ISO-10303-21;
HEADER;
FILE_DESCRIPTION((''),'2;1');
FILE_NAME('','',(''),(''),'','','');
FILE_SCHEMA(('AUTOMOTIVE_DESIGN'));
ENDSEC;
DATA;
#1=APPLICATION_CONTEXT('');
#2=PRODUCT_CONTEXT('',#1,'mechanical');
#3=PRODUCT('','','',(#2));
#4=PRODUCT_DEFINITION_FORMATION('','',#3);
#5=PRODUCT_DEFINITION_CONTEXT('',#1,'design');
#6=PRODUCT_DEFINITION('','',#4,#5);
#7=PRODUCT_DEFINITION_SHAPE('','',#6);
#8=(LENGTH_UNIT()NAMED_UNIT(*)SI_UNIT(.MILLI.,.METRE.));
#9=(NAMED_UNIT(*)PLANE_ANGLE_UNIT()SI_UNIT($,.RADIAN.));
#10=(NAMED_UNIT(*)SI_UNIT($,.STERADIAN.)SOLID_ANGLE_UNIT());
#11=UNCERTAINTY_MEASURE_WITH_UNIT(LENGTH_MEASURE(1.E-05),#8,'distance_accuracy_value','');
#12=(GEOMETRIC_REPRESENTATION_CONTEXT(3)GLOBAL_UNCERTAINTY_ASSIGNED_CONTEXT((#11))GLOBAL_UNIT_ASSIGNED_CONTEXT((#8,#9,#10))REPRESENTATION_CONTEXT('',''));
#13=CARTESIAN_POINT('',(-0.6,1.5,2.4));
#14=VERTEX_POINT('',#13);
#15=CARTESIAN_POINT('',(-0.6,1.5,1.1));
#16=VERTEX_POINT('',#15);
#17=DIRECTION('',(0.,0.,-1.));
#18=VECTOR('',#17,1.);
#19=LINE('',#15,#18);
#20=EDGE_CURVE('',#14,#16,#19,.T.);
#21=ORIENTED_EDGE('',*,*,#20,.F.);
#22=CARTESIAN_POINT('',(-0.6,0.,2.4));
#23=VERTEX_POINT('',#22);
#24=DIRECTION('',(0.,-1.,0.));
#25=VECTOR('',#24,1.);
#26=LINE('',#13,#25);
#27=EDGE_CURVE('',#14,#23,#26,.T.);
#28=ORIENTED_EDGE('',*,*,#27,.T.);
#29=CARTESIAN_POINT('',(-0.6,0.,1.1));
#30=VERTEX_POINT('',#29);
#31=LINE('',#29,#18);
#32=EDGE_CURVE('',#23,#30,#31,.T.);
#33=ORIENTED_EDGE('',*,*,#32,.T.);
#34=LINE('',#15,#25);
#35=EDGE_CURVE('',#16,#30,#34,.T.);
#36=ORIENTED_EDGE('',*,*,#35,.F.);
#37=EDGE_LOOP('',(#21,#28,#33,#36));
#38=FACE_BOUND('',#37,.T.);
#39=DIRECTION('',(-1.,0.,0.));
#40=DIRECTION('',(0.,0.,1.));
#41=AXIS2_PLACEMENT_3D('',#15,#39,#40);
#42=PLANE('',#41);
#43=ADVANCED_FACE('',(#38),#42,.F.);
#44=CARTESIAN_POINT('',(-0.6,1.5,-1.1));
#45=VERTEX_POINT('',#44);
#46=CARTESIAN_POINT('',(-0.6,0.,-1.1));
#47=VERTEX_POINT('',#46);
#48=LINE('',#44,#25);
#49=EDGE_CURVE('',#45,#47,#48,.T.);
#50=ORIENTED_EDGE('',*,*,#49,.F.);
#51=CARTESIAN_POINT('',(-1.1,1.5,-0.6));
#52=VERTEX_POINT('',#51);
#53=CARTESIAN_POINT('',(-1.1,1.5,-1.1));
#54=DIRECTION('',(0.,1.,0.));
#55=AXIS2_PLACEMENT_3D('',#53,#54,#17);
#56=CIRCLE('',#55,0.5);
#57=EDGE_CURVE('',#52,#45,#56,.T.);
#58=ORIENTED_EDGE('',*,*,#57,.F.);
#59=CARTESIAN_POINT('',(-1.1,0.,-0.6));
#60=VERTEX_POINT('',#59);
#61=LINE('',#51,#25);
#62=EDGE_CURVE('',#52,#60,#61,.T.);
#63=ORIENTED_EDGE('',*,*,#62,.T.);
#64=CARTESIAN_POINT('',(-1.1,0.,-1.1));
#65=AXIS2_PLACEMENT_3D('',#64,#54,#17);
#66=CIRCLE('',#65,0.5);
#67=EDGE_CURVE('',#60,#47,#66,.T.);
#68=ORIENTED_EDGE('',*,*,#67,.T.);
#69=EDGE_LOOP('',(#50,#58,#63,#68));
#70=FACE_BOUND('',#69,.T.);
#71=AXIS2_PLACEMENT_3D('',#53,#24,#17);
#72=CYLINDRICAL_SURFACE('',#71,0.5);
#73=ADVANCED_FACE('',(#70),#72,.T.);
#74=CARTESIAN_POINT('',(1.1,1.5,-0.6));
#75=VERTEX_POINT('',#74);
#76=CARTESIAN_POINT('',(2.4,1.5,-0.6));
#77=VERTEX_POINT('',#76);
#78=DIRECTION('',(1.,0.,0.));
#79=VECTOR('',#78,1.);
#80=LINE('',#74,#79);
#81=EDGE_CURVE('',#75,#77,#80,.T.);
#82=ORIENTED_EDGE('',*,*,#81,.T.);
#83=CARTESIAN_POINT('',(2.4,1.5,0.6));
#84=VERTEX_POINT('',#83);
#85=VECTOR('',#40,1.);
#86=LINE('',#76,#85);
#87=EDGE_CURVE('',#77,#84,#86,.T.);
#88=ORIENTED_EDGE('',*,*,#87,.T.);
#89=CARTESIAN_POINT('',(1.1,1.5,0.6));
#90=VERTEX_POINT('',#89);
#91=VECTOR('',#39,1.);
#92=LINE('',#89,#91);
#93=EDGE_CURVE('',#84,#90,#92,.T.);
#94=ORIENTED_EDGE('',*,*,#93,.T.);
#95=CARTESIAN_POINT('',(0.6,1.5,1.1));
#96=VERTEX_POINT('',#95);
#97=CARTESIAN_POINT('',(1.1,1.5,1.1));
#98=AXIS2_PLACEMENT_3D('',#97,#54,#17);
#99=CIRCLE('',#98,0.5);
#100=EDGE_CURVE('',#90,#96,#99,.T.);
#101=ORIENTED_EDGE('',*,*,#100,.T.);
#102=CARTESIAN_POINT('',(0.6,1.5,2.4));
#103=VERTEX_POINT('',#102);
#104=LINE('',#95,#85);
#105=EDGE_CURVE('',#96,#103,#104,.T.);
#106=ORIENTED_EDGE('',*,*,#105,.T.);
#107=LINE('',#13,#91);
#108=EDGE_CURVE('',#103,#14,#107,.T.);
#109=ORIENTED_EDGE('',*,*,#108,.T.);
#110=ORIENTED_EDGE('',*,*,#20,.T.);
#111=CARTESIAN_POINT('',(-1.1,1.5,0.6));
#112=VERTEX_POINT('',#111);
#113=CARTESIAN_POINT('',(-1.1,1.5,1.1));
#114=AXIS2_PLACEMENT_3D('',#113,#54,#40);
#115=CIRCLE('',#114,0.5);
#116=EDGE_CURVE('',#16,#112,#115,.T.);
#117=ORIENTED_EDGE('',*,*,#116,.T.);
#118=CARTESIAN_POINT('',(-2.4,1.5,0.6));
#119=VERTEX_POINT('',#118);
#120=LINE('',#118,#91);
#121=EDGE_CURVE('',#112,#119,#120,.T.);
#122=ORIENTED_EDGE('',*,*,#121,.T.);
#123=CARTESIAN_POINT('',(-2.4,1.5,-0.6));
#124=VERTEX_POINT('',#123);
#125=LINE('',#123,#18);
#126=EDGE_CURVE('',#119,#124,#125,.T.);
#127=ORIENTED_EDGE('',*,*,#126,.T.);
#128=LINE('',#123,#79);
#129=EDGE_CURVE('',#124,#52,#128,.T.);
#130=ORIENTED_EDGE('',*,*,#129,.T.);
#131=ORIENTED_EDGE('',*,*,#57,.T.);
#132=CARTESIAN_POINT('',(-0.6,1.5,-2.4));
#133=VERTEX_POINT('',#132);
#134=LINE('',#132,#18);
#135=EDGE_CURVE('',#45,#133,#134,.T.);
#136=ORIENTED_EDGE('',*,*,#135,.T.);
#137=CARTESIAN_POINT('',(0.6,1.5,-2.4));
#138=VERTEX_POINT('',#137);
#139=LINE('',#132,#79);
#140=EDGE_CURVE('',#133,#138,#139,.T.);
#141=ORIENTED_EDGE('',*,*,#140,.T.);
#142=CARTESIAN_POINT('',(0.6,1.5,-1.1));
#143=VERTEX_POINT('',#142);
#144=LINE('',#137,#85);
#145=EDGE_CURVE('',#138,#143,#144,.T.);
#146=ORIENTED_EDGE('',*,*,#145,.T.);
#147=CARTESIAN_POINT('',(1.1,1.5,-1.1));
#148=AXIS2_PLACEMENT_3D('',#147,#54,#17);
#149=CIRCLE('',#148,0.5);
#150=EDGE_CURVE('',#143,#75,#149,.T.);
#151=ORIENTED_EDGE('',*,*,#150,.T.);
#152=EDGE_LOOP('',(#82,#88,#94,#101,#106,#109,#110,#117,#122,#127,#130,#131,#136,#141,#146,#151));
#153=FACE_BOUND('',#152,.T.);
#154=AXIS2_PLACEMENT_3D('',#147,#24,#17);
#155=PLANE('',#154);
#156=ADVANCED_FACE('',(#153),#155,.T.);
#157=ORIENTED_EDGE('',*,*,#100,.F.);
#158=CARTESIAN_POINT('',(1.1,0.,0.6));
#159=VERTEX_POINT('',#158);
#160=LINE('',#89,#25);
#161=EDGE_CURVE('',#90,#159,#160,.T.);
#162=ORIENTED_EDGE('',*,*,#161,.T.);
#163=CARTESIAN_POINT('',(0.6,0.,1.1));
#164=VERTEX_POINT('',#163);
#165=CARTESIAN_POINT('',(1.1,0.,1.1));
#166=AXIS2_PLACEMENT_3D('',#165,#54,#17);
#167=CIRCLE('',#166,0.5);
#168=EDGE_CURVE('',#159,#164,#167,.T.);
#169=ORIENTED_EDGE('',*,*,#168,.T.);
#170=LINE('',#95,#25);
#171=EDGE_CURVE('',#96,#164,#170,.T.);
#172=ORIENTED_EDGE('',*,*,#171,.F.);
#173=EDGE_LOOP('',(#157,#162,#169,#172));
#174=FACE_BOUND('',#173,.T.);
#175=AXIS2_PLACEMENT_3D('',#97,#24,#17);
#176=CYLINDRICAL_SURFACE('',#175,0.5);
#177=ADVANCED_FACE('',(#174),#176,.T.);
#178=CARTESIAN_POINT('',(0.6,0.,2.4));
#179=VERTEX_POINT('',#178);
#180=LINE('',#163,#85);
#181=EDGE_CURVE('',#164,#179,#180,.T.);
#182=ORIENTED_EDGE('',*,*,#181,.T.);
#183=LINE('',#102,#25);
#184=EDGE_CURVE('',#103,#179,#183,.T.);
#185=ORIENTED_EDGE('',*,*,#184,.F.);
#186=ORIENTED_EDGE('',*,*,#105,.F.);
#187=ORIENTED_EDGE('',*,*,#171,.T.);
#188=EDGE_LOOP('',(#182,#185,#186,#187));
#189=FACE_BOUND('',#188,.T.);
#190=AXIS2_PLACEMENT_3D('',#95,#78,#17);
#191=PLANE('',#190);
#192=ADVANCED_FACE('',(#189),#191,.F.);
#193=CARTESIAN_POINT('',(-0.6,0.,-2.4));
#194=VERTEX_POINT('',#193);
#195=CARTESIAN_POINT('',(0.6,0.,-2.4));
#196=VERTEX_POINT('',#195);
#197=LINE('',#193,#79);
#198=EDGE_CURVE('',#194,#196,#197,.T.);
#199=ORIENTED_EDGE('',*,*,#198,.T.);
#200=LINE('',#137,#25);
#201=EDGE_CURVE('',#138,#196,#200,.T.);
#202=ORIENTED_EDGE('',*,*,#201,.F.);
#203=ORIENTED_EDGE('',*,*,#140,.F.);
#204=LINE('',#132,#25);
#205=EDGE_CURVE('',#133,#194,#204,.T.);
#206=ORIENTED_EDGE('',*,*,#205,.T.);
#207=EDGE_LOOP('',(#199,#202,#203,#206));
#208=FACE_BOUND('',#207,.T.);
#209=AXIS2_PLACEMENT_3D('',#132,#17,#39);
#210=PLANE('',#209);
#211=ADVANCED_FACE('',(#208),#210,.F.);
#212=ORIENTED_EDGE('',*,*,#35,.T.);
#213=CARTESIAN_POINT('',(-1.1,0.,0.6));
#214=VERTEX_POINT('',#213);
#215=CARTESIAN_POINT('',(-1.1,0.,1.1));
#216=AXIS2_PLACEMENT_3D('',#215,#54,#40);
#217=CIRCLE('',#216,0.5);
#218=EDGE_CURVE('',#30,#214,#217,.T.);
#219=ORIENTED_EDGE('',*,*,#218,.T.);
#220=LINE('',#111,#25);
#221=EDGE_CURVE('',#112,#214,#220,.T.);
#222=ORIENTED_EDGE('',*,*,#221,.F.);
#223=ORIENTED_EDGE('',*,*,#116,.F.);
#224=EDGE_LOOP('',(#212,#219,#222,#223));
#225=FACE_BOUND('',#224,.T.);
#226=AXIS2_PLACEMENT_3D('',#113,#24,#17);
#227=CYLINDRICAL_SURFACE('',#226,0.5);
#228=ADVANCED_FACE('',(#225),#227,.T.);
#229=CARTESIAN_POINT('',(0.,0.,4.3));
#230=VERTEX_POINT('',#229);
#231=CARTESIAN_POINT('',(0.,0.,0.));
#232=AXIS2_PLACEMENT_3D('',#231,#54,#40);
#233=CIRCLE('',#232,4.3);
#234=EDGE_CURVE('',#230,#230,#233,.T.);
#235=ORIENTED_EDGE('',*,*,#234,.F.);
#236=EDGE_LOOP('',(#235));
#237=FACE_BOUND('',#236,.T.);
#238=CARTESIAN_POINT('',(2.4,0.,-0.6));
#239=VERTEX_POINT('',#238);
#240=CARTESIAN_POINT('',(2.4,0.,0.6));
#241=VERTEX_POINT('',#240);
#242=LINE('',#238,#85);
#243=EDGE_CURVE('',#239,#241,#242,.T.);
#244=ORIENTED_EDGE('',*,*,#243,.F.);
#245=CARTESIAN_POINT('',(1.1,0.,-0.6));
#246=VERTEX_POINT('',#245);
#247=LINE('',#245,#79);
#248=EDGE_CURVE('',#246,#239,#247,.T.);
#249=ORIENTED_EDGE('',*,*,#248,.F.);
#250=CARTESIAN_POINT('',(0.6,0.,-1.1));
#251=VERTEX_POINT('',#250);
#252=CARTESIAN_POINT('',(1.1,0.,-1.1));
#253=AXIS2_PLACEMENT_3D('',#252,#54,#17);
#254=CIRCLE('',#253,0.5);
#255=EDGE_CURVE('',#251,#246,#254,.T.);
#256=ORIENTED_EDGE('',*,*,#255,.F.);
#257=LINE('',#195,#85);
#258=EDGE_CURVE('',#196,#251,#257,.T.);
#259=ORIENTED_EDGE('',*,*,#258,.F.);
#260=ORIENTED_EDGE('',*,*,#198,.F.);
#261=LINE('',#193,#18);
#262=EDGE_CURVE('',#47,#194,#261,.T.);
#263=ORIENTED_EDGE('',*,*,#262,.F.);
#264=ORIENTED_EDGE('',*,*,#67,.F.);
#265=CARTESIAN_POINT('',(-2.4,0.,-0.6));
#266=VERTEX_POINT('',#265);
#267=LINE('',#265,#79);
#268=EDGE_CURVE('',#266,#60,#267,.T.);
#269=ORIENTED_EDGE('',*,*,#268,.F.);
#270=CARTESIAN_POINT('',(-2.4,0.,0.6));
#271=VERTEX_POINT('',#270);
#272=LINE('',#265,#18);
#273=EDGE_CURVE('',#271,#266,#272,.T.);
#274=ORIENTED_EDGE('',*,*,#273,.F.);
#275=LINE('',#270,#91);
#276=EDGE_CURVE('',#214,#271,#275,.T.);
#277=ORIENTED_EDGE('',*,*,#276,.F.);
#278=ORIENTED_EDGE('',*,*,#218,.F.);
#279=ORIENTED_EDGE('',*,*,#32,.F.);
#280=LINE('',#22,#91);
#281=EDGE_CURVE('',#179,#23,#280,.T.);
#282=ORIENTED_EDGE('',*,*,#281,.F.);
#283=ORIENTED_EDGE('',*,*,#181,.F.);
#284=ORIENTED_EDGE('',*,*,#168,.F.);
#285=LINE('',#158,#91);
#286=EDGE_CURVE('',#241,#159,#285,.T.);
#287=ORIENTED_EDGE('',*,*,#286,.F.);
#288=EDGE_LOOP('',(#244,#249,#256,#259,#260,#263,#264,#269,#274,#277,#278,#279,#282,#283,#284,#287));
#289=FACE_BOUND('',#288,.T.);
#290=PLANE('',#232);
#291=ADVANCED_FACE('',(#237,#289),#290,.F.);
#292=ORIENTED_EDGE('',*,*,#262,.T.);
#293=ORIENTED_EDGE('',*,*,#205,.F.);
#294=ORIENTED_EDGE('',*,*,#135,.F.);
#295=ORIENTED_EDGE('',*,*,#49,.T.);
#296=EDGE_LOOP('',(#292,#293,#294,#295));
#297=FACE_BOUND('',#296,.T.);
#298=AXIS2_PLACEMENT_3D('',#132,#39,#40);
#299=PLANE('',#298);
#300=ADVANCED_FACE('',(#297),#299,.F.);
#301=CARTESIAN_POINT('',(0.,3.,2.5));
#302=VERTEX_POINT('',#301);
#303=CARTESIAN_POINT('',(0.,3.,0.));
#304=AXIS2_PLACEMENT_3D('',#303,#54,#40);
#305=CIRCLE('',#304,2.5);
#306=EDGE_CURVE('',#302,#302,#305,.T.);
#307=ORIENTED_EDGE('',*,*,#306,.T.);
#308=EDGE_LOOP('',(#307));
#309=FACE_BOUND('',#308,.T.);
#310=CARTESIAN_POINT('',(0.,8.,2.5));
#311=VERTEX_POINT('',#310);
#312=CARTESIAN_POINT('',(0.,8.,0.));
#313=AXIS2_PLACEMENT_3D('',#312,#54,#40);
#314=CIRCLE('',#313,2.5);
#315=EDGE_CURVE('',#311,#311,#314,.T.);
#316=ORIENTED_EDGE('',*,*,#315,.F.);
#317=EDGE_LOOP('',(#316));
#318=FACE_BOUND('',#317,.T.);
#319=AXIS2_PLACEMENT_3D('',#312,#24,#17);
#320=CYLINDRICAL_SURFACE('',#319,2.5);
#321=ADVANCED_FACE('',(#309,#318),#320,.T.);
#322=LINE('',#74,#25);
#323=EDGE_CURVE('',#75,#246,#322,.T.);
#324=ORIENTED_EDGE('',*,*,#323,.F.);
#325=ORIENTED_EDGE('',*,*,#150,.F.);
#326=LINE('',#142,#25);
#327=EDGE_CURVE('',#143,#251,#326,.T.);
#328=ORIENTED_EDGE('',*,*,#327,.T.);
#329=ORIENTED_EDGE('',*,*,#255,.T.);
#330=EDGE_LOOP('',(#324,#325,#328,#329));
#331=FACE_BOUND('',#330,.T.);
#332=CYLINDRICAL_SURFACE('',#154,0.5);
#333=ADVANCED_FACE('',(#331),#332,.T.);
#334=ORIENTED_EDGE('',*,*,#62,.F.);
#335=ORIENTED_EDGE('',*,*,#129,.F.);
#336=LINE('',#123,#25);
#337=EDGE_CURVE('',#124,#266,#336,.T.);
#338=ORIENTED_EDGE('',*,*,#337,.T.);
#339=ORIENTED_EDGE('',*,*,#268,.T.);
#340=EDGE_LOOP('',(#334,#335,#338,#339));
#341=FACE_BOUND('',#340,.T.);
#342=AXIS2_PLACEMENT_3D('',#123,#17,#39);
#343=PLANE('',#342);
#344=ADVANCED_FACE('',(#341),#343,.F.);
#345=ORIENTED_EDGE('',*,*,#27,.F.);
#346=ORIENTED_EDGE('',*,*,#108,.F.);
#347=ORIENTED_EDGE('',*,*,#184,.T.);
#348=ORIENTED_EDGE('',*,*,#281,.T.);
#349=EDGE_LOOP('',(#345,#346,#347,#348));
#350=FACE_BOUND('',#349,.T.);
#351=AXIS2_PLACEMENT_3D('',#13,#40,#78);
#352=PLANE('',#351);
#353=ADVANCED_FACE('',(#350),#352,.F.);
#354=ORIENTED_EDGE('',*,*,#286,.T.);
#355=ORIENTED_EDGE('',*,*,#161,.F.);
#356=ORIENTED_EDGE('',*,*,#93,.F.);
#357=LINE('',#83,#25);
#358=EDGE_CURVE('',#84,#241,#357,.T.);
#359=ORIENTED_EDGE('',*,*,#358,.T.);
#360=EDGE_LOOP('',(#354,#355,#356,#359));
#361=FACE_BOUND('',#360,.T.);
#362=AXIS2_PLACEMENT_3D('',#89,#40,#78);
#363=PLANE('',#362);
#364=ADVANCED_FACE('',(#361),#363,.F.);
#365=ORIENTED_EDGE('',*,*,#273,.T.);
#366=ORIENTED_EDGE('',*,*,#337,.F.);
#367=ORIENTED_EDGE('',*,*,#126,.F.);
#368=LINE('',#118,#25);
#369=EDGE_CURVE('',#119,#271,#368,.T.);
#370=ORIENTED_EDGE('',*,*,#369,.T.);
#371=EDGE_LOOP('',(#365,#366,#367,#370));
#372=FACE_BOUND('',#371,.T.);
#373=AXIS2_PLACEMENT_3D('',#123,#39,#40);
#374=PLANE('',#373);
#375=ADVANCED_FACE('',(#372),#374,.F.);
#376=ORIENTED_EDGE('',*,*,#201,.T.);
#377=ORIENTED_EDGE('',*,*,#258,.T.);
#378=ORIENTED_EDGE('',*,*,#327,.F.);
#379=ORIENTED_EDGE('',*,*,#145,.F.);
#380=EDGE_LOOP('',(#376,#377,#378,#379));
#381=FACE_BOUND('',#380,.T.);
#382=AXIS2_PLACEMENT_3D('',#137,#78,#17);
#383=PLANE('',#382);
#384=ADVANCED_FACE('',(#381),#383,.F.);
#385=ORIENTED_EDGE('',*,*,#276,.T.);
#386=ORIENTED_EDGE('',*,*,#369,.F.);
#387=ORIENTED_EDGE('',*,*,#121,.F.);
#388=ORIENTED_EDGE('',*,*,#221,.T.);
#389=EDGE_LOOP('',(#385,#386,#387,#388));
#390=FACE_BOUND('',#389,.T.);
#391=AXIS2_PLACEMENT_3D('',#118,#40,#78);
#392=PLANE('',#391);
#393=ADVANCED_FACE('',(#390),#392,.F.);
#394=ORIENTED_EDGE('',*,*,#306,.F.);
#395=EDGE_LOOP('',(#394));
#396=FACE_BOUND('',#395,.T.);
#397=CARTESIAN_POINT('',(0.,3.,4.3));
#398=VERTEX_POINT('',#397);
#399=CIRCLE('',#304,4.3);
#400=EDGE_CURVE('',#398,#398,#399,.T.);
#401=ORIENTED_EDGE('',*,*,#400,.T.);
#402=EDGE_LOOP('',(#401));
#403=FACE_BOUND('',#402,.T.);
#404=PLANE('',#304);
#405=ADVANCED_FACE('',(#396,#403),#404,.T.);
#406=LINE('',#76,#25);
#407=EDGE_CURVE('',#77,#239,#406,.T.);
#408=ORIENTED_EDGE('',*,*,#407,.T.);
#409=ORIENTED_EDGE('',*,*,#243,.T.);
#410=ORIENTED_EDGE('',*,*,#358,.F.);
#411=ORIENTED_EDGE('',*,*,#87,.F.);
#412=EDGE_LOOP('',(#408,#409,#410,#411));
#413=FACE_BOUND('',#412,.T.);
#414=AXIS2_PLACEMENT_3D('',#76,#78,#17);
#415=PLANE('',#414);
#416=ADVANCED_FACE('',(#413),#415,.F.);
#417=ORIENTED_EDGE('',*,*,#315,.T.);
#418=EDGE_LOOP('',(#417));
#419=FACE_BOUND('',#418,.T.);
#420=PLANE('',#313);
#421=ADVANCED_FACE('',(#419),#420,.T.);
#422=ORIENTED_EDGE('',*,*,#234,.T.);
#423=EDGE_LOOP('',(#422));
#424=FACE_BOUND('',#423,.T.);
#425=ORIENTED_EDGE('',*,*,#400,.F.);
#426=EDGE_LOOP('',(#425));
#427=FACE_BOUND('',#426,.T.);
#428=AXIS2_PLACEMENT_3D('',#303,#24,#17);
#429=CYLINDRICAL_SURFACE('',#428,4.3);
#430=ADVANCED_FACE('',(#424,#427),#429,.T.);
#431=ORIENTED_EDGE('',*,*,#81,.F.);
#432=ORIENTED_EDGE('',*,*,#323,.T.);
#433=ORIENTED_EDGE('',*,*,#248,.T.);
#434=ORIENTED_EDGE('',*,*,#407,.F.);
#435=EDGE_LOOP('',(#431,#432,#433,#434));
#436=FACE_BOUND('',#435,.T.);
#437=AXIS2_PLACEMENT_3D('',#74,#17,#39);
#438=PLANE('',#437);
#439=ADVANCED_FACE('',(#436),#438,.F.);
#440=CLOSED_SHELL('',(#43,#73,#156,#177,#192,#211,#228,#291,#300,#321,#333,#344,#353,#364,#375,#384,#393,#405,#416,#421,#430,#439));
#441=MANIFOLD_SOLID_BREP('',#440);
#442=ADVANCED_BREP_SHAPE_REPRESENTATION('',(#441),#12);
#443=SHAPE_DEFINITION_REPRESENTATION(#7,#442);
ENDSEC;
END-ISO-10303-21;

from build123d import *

# Parameters (mm, degrees)
SKETCH_1_R          = 4.3
EXTRUDE_1_DEPTH     = 3
SKETCH_2_R          = 2.5
EXTRUDE_2_DEPTH     = 5
CUT_EXTRUDE_1_DEPTH = 1.5


with BuildPart() as part:
    # 草图1 → 凸台-拉伸1 (new body)
    with BuildSketch(Plane(origin=(0, 0, 0), x_dir=(1, 0, 0), z_dir=(0, 1, 0))):
        Circle(SKETCH_1_R)
    extrude(amount=EXTRUDE_1_DEPTH)

    # 草图2 → 凸台-拉伸2 (add)
    with BuildSketch(Plane(origin=(0, 3, 0), x_dir=(1, 0, 0), z_dir=(0, 1, 0))):
        Circle(SKETCH_2_R)
    extrude(amount=EXTRUDE_2_DEPTH)

    # 草图3 → 切除-拉伸1 (cut)
    with BuildSketch(Plane.XZ):
        with BuildLine():
            Line((-0.6, 1.1), (-0.6, 2.4))
            Line((-0.6, 2.4), (0.6, 2.4))
            Line((0.6, 2.4), (0.6, 1.1))
            ThreePointArc((0.6, 1.1), (0.746446609, 0.746446609), (1.1, 0.6))
            Line((1.1, 0.6), (2.4, 0.6))
            Line((2.4, 0.6), (2.4, -0.6))
            Line((2.4, -0.6), (1.1, -0.6))
            ThreePointArc((1.1, -0.6), (0.746446609, -0.746446609), (0.6, -1.1))
            Line((0.6, -1.1), (0.6, -2.4))
            Line((0.6, -2.4), (-0.6, -2.4))
            Line((-0.6, -2.4), (-0.6, -1.1))
            ThreePointArc((-0.6, -1.1), (-0.746446609, -0.746446609), (-1.1, -0.6))
            Line((-1.1, -0.6), (-2.4, -0.6))
            Line((-2.4, -0.6), (-2.4, 0.6))
            Line((-2.4, 0.6), (-1.1, 0.6))
            ThreePointArc((-1.1, 0.6), (-0.746446609, 0.746446609), (-0.6, 1.1))
        make_face()
    extrude(amount=-CUT_EXTRUDE_1_DEPTH, mode=Mode.SUBTRACT)


solid = part.part
